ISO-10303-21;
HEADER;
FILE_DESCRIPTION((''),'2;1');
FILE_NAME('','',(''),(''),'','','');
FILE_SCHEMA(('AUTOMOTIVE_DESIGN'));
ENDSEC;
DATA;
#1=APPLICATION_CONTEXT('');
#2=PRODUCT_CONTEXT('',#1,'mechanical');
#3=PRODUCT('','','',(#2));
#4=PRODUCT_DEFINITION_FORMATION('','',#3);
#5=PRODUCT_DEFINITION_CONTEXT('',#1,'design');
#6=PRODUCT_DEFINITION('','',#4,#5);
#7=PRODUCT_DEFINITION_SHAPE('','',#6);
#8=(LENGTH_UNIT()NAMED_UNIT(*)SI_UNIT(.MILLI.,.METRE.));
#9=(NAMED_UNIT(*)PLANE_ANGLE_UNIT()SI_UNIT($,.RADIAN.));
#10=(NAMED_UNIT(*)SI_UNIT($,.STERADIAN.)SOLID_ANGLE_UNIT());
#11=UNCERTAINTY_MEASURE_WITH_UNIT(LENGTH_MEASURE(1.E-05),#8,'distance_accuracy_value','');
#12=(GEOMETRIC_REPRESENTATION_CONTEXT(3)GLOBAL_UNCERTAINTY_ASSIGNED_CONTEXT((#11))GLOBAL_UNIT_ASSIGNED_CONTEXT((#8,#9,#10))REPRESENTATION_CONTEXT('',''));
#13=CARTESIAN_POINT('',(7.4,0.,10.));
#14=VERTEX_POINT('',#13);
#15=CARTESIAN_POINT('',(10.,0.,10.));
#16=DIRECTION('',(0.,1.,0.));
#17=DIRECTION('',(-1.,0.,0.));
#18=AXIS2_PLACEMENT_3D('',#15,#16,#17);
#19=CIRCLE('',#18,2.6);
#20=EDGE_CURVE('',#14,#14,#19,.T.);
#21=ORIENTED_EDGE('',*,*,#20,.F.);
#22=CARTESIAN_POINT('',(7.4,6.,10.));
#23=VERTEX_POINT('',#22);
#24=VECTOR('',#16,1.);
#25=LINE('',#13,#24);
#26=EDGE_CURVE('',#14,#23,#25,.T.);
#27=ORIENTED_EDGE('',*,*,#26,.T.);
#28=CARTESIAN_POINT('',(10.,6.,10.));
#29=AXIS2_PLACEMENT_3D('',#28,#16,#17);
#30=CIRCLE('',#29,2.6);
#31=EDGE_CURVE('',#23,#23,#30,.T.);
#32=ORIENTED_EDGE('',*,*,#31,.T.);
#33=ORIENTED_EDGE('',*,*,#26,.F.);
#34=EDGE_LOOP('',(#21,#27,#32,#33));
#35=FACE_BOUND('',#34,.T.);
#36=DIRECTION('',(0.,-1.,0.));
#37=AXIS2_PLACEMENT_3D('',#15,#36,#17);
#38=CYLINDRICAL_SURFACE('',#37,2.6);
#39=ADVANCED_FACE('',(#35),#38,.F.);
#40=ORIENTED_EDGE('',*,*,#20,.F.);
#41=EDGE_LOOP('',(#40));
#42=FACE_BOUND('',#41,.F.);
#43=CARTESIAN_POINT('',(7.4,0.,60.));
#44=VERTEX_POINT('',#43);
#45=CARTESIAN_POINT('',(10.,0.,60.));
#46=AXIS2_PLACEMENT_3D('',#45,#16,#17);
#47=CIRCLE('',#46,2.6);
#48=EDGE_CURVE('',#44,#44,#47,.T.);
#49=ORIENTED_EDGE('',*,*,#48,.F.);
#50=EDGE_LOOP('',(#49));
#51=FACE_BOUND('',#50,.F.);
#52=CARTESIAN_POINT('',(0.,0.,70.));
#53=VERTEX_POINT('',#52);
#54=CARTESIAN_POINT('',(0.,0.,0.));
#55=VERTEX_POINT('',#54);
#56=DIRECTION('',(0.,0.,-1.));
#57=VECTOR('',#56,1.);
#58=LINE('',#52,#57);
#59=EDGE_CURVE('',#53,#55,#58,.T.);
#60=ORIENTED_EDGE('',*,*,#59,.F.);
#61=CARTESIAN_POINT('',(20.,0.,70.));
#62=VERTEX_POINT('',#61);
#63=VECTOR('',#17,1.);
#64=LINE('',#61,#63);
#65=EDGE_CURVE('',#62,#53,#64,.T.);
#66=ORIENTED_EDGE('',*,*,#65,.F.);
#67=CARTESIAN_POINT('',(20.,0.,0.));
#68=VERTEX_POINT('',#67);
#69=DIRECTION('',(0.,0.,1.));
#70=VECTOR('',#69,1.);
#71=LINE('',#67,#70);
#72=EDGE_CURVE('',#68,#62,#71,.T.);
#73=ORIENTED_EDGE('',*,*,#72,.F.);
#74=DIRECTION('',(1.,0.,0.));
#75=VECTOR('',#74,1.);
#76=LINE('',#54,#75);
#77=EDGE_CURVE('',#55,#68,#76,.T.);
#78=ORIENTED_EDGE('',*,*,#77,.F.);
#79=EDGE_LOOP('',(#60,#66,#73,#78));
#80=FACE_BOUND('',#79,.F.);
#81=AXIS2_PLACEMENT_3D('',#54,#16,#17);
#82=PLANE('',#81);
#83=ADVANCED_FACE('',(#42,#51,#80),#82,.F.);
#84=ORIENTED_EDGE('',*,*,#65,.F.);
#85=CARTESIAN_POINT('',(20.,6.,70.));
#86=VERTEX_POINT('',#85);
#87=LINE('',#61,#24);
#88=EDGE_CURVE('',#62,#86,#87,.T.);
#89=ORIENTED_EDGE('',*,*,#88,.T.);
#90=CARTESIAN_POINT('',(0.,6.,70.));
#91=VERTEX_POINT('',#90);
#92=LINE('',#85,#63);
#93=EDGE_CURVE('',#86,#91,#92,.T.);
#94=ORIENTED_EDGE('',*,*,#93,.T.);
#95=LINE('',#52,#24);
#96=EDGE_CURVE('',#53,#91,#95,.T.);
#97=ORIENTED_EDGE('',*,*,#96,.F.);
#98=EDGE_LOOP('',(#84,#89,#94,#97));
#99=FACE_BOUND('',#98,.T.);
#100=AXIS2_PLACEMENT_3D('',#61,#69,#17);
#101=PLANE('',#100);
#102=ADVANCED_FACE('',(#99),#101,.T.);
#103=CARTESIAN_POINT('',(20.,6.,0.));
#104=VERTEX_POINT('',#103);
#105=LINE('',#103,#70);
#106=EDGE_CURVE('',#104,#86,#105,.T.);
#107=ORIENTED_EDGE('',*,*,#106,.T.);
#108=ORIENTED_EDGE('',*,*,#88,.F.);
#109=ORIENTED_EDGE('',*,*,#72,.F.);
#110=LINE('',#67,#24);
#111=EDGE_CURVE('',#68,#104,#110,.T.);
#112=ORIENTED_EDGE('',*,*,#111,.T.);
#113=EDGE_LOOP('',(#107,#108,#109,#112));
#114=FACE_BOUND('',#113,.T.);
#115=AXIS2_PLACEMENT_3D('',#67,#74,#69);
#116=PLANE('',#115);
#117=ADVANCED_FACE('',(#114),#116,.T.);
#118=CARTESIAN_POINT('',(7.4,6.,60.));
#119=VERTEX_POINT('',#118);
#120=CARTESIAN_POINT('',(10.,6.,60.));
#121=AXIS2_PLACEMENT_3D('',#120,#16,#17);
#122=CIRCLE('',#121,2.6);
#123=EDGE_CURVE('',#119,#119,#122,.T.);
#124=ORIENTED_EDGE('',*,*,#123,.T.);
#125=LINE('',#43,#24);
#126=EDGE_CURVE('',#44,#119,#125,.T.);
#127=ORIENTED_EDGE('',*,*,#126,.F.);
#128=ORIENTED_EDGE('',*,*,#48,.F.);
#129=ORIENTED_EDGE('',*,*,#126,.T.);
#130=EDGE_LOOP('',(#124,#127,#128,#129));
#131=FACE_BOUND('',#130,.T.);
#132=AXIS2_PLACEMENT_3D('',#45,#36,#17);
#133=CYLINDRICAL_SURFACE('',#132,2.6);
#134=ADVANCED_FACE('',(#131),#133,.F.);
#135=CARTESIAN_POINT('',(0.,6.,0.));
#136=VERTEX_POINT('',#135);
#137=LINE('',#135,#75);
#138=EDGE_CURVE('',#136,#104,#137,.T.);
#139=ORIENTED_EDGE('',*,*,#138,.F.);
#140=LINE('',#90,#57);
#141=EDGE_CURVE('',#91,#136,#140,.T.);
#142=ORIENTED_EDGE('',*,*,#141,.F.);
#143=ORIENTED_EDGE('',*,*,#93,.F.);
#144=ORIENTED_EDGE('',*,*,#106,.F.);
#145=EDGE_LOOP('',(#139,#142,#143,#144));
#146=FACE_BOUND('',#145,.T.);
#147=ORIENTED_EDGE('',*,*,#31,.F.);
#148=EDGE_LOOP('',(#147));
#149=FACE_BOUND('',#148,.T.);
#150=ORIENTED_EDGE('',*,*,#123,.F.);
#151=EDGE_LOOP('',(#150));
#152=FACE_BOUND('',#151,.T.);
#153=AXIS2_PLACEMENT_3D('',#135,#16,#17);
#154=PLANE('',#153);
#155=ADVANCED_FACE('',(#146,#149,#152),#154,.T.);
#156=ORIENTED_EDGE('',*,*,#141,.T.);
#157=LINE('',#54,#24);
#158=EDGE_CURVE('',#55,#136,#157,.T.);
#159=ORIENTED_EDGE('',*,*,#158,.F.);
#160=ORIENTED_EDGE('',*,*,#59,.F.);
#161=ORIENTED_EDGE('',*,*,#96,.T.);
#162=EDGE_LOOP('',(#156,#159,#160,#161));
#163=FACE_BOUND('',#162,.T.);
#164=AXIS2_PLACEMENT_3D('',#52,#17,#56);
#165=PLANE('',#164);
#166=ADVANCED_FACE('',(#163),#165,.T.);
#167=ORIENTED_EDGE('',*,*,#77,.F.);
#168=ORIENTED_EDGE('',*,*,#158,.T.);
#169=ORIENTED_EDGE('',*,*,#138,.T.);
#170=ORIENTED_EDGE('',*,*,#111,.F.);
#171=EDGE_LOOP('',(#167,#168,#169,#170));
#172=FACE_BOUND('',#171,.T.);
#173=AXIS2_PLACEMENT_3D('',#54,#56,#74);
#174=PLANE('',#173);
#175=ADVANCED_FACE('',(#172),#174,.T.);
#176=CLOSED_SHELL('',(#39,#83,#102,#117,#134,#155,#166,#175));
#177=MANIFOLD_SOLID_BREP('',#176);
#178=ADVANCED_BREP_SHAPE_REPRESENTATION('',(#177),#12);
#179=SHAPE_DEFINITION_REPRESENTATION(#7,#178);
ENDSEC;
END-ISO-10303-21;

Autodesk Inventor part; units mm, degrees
ref_plane "YZ Plane" through (0, 0, 0) normal (1, 0, 0) x (0, 1, 0)
ref_plane "XZ Plane" through (0, 0, 0) normal (0, 1, 0) x (-1, 0, 0)
ref_plane "XY Plane" through (0, 0, 0) normal (0, 0, 1) x (1, 0, 0)
sketch "Sketch2" plane through (0, 0, 0) normal (0, 1, 0) x (-1, 0, 0)
  line L0 (0, 0) -> (-20, 0)
  line L1 (-20, 0) -> (-20, 70)
  line L2 (-20, 70) -> (0, 70)
  line L3 (0, 70) -> (0, 0)
  circle A0 centre (-10, 10) radius 2.6
  circle A1 centre (-10, 60) radius 2.6
  dimension "d76" = 20
  dimension "d78" = 10
  dimension "d79" = 50
  dimension "d80" = 10
  dimension "d81" = 5.2
  dimension "d82" = 10
extrude "Extrusion2" add sketch "Sketch2" along normal blind 6
properties part number "phone_holder_top_cap" material "Acrylic, Clear"
